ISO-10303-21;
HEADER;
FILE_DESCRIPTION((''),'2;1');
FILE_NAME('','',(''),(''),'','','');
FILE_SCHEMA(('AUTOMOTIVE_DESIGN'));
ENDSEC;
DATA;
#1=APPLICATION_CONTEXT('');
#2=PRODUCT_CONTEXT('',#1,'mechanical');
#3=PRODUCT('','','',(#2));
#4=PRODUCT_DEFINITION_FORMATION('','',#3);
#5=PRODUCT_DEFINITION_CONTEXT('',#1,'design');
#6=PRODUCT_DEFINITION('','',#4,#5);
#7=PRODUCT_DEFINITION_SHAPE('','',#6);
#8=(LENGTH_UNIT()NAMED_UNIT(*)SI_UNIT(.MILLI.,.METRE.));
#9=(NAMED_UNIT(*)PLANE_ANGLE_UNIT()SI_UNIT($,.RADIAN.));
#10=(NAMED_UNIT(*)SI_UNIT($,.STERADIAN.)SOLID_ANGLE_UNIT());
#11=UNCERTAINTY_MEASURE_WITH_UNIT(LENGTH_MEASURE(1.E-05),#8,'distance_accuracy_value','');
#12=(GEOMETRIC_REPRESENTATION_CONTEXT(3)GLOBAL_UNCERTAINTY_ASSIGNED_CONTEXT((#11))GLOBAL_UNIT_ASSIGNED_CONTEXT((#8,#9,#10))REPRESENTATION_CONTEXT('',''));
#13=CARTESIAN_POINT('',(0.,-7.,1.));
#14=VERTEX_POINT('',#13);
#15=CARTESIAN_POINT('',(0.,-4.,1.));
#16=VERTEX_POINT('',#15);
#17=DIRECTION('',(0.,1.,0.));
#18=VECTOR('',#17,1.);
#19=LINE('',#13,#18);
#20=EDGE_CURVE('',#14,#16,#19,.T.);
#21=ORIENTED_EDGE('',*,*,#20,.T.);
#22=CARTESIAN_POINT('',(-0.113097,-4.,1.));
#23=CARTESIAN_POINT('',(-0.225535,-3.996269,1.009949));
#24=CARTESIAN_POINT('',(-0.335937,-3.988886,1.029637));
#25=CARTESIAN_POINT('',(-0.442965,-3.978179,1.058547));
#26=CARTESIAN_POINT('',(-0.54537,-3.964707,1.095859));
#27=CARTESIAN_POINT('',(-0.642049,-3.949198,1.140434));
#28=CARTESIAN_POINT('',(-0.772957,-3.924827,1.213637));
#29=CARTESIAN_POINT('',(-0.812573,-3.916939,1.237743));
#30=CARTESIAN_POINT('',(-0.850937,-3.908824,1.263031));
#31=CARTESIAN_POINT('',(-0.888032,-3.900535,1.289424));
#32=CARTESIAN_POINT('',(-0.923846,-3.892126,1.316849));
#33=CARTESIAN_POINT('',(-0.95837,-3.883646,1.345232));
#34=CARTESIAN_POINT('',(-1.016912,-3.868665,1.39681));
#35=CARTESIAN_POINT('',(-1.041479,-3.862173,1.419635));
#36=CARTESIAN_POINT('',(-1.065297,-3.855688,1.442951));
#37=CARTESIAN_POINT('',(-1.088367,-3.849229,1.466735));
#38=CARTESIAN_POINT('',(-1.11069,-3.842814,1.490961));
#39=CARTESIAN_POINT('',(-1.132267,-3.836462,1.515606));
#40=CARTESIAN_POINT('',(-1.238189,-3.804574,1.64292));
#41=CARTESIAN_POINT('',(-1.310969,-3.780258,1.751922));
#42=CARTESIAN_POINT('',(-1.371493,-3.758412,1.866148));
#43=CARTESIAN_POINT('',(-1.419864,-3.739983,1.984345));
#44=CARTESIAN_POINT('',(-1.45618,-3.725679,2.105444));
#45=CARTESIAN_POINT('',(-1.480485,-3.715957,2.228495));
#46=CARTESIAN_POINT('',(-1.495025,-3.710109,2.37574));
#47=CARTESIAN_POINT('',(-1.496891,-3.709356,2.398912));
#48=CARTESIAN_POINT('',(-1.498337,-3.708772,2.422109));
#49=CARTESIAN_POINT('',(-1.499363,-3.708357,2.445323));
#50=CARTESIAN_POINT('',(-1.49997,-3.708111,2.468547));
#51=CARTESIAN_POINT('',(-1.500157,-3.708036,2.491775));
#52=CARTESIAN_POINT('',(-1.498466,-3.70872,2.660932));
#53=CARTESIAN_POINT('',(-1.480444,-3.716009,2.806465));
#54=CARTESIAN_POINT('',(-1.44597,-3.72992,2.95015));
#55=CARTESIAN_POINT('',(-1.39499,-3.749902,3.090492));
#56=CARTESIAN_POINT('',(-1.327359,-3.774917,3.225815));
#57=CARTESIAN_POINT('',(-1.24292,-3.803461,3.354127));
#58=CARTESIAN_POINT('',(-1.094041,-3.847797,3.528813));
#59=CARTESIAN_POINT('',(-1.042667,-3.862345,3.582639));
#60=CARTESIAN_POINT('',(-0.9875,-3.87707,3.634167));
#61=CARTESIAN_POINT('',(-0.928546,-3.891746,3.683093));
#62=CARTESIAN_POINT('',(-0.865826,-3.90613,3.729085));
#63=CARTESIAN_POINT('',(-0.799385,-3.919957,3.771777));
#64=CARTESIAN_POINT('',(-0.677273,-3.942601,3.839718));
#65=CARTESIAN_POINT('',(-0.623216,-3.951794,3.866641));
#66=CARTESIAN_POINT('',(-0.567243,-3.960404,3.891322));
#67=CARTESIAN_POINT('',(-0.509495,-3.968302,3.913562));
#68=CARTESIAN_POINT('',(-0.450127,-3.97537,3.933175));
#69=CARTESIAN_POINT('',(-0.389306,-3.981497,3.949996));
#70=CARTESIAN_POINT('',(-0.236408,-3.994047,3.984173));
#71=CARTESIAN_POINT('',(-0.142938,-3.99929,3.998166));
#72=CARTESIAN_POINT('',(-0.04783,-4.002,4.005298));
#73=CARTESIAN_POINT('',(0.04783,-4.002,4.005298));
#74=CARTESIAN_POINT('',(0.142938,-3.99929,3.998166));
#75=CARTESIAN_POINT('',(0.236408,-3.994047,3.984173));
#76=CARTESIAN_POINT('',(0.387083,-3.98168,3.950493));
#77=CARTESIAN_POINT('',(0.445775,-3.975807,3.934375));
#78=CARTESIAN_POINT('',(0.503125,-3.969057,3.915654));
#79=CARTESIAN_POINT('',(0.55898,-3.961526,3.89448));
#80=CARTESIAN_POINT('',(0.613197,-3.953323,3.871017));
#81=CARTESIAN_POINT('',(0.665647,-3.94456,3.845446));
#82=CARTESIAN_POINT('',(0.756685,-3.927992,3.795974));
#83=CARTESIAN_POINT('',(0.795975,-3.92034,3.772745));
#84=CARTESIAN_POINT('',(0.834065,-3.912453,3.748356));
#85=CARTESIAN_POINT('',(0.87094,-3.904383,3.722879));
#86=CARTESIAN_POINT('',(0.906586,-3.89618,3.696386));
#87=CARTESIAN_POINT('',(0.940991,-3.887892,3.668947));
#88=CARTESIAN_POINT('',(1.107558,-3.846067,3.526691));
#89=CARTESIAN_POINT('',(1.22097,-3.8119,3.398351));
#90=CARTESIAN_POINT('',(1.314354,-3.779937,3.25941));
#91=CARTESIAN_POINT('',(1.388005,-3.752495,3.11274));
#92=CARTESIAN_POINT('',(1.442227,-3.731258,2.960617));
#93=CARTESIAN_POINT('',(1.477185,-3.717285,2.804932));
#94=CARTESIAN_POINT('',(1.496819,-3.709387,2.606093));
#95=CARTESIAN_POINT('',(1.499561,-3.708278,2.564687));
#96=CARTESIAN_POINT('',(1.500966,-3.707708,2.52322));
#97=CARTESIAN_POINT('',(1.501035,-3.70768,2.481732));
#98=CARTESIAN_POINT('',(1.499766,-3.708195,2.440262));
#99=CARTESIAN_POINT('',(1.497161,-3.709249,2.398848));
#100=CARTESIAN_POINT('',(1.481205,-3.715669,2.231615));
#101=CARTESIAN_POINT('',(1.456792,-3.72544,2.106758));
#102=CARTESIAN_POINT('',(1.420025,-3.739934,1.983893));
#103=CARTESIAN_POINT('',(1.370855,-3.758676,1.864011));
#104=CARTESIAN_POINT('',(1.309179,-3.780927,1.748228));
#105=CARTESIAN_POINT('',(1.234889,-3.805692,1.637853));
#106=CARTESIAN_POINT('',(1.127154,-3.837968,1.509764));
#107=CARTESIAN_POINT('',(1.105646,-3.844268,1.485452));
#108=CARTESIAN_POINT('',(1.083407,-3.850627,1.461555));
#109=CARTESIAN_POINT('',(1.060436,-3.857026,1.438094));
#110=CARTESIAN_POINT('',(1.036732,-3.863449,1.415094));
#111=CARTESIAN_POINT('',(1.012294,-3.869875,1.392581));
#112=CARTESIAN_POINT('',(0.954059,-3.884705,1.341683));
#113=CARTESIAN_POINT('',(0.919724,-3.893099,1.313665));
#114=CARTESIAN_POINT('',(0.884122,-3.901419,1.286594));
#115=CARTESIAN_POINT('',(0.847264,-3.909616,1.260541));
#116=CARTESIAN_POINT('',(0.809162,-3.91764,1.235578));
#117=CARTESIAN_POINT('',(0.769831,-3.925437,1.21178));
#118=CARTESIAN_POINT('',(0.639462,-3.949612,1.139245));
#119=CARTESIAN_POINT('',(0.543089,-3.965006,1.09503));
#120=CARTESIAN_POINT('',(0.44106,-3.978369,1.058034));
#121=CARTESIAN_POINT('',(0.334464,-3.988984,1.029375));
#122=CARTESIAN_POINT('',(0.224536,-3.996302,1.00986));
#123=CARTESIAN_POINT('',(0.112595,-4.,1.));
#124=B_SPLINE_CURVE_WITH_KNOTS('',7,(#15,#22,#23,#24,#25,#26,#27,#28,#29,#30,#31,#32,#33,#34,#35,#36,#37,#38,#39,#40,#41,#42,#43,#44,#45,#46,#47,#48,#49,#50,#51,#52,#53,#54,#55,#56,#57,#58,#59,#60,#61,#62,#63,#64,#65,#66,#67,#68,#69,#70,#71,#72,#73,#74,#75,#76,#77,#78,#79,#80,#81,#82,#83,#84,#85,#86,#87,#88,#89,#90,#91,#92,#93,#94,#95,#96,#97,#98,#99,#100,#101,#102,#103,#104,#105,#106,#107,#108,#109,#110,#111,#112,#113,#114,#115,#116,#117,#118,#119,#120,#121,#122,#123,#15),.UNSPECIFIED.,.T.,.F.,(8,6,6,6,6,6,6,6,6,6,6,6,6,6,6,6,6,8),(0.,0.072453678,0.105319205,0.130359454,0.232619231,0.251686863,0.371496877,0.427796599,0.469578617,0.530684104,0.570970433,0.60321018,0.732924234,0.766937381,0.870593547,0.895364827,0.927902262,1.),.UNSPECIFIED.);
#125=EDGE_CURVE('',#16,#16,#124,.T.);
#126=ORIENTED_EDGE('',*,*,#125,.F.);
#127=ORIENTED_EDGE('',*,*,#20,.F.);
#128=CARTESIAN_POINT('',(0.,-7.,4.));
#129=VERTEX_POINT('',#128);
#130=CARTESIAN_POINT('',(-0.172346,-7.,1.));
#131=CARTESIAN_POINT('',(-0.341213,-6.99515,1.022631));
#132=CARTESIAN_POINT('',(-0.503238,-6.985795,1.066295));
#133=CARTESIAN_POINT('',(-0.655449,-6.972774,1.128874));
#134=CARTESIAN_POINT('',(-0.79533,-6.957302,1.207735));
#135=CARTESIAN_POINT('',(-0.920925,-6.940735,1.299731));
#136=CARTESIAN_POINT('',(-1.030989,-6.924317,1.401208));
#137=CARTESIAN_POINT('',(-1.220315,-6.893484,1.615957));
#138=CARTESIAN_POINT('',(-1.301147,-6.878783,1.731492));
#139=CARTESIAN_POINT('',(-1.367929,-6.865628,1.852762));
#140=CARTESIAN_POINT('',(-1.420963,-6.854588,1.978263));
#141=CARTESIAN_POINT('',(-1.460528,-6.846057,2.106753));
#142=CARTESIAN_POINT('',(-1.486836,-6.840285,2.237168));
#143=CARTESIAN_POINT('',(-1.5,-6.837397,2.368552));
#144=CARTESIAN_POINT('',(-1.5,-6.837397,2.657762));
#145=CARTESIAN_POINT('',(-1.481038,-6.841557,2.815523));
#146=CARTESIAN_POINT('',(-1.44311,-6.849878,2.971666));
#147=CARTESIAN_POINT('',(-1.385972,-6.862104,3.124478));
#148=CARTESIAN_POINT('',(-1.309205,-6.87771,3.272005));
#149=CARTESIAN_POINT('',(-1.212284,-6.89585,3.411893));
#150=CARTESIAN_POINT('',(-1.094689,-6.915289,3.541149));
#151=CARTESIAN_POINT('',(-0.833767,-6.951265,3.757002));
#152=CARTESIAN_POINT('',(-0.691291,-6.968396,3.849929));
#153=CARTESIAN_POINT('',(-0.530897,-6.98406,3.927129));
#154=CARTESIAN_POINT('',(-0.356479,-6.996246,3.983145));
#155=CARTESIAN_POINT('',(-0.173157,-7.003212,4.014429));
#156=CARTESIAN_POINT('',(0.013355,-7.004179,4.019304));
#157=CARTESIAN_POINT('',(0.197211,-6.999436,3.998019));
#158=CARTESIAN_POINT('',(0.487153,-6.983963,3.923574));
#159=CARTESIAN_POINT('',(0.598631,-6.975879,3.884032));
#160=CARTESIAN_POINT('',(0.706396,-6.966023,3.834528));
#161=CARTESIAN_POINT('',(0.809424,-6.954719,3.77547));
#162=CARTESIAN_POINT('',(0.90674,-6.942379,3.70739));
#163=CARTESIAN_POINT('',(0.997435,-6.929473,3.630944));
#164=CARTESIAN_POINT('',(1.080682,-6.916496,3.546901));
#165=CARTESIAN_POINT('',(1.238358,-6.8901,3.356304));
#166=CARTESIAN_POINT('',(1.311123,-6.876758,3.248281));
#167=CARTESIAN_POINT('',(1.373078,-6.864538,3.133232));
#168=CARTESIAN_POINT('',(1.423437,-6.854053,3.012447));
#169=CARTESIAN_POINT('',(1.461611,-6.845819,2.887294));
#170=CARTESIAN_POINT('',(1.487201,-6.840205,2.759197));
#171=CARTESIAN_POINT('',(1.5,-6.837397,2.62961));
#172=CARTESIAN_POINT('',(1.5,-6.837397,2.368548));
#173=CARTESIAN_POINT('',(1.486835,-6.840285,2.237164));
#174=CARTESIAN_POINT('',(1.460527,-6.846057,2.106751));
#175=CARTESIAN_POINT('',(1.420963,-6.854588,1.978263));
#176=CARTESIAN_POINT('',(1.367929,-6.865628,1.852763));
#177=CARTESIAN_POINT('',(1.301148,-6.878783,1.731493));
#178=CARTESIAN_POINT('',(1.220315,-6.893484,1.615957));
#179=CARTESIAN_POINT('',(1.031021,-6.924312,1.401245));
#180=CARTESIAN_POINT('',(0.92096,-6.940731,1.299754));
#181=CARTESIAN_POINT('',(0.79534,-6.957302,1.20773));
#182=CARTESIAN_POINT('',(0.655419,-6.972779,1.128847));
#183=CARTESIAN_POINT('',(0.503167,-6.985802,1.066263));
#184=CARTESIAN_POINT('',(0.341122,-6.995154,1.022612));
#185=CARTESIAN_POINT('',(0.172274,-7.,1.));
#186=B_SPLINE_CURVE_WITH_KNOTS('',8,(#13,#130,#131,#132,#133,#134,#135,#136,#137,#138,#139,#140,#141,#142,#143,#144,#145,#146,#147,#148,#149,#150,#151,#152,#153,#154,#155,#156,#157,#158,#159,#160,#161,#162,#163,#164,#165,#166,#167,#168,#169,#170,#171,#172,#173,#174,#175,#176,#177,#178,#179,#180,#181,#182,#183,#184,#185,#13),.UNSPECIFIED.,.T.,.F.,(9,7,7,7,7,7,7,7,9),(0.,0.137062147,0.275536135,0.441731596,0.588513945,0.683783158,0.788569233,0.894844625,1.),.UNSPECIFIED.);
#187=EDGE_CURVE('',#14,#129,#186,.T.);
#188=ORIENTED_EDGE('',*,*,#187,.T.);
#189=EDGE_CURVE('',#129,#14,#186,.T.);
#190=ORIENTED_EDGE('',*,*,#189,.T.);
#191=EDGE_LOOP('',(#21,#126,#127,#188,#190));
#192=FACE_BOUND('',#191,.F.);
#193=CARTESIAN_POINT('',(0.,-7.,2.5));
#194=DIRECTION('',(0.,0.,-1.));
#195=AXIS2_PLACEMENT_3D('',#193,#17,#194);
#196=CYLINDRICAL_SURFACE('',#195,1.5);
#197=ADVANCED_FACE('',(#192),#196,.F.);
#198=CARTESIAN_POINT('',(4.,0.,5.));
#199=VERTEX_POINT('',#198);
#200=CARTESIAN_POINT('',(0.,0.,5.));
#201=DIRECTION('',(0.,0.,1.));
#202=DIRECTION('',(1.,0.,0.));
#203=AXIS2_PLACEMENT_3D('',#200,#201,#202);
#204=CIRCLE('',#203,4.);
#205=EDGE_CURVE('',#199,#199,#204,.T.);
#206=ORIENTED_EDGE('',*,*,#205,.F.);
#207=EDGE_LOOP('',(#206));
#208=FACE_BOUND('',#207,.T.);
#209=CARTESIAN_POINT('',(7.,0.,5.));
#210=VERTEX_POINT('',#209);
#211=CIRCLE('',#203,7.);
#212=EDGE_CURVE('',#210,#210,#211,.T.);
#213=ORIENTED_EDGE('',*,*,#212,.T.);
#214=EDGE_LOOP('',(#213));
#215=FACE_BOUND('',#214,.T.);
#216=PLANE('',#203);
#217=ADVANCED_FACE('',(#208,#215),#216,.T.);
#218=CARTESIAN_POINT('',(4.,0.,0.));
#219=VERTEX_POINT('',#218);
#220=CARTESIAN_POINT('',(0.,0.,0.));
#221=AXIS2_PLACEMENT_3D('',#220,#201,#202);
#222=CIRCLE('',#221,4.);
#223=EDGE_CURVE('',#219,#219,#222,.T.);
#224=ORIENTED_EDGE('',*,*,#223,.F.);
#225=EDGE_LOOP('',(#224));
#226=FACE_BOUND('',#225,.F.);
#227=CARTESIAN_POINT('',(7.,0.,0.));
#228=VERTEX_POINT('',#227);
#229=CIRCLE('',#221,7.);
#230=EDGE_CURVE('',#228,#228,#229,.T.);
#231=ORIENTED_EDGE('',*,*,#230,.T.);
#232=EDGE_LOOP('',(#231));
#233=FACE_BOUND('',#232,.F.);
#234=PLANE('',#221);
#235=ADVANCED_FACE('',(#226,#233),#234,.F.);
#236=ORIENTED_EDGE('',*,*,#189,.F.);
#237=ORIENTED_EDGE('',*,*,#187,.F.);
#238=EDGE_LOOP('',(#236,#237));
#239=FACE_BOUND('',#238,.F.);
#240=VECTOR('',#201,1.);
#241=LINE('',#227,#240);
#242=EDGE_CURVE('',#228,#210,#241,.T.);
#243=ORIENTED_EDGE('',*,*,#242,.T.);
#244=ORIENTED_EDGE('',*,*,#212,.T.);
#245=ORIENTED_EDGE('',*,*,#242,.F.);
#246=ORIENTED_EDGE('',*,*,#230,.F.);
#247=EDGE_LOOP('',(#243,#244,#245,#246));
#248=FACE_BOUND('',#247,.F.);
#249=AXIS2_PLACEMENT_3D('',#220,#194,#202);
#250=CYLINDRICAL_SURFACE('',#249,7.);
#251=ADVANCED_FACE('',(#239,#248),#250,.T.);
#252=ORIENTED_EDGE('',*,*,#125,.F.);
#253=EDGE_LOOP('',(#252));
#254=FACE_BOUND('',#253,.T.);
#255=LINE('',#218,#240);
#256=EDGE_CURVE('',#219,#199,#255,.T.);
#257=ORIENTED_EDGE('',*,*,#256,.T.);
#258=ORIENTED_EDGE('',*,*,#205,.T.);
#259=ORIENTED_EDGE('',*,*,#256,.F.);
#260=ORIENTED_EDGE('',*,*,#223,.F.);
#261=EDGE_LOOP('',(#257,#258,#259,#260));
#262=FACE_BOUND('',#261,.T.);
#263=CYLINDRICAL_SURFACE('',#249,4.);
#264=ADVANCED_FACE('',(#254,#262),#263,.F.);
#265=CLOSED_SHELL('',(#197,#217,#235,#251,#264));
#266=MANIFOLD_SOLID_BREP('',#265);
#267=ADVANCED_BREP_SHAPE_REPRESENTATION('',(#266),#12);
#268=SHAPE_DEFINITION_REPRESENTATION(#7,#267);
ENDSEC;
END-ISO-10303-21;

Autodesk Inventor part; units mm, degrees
ref_plane "YZ Plane" through (0, 0, 0) normal (1, 0, 0) x (0, 1, 0)
ref_plane "XZ Plane" through (0, 0, 0) normal (0, 1, 0) x (-1, 0, 0)
ref_plane "XY Plane" through (0, 0, 0) normal (0, 0, 1) x (1, 0, 0)
sketch "スケッチ1" plane through (0, 0, 0) normal (0, 0, 1) x (1, 0, 0)
  circle A0 centre (0, 0) radius 4
  circle A1 centre (0, 0) radius 7
  dimension "d0" = 8
  dimension "d1" = 14
extrude "押し出し1" add sketch "スケッチ1" along normal blind 5
sketch "スケッチ2" plane through (0, 0, 5) normal (0, 0, 1) x (1, 0, 0)
  circle A0 centre (0, 0) radius 7 projected
  point P0 (0, -7)
ref_plane "作業平面1" through (0, -7, 5) normal (0, -1, 0) x (1, 0, 0)
sketch "スケッチ3" plane through (0, -7, 5) normal (0, -1, 0) x (1, 0, 0)
  line L0 (7, 0) -> (-7, 0) projected
  line L1 (0, 0) -> (0, -5)
  point P0 (0, -2.5)
hole "穴1" at (0, -7, 2.5) direction (0, 1, 0) diameter 3 depth 8 tip angle 118
thread "ねじ1" size "M3x0.5" class "6H" standard "ANSI Metric M Profile" full length
properties part number "セットカラーSSCCJ8-5" material "ステンレス鋼"
